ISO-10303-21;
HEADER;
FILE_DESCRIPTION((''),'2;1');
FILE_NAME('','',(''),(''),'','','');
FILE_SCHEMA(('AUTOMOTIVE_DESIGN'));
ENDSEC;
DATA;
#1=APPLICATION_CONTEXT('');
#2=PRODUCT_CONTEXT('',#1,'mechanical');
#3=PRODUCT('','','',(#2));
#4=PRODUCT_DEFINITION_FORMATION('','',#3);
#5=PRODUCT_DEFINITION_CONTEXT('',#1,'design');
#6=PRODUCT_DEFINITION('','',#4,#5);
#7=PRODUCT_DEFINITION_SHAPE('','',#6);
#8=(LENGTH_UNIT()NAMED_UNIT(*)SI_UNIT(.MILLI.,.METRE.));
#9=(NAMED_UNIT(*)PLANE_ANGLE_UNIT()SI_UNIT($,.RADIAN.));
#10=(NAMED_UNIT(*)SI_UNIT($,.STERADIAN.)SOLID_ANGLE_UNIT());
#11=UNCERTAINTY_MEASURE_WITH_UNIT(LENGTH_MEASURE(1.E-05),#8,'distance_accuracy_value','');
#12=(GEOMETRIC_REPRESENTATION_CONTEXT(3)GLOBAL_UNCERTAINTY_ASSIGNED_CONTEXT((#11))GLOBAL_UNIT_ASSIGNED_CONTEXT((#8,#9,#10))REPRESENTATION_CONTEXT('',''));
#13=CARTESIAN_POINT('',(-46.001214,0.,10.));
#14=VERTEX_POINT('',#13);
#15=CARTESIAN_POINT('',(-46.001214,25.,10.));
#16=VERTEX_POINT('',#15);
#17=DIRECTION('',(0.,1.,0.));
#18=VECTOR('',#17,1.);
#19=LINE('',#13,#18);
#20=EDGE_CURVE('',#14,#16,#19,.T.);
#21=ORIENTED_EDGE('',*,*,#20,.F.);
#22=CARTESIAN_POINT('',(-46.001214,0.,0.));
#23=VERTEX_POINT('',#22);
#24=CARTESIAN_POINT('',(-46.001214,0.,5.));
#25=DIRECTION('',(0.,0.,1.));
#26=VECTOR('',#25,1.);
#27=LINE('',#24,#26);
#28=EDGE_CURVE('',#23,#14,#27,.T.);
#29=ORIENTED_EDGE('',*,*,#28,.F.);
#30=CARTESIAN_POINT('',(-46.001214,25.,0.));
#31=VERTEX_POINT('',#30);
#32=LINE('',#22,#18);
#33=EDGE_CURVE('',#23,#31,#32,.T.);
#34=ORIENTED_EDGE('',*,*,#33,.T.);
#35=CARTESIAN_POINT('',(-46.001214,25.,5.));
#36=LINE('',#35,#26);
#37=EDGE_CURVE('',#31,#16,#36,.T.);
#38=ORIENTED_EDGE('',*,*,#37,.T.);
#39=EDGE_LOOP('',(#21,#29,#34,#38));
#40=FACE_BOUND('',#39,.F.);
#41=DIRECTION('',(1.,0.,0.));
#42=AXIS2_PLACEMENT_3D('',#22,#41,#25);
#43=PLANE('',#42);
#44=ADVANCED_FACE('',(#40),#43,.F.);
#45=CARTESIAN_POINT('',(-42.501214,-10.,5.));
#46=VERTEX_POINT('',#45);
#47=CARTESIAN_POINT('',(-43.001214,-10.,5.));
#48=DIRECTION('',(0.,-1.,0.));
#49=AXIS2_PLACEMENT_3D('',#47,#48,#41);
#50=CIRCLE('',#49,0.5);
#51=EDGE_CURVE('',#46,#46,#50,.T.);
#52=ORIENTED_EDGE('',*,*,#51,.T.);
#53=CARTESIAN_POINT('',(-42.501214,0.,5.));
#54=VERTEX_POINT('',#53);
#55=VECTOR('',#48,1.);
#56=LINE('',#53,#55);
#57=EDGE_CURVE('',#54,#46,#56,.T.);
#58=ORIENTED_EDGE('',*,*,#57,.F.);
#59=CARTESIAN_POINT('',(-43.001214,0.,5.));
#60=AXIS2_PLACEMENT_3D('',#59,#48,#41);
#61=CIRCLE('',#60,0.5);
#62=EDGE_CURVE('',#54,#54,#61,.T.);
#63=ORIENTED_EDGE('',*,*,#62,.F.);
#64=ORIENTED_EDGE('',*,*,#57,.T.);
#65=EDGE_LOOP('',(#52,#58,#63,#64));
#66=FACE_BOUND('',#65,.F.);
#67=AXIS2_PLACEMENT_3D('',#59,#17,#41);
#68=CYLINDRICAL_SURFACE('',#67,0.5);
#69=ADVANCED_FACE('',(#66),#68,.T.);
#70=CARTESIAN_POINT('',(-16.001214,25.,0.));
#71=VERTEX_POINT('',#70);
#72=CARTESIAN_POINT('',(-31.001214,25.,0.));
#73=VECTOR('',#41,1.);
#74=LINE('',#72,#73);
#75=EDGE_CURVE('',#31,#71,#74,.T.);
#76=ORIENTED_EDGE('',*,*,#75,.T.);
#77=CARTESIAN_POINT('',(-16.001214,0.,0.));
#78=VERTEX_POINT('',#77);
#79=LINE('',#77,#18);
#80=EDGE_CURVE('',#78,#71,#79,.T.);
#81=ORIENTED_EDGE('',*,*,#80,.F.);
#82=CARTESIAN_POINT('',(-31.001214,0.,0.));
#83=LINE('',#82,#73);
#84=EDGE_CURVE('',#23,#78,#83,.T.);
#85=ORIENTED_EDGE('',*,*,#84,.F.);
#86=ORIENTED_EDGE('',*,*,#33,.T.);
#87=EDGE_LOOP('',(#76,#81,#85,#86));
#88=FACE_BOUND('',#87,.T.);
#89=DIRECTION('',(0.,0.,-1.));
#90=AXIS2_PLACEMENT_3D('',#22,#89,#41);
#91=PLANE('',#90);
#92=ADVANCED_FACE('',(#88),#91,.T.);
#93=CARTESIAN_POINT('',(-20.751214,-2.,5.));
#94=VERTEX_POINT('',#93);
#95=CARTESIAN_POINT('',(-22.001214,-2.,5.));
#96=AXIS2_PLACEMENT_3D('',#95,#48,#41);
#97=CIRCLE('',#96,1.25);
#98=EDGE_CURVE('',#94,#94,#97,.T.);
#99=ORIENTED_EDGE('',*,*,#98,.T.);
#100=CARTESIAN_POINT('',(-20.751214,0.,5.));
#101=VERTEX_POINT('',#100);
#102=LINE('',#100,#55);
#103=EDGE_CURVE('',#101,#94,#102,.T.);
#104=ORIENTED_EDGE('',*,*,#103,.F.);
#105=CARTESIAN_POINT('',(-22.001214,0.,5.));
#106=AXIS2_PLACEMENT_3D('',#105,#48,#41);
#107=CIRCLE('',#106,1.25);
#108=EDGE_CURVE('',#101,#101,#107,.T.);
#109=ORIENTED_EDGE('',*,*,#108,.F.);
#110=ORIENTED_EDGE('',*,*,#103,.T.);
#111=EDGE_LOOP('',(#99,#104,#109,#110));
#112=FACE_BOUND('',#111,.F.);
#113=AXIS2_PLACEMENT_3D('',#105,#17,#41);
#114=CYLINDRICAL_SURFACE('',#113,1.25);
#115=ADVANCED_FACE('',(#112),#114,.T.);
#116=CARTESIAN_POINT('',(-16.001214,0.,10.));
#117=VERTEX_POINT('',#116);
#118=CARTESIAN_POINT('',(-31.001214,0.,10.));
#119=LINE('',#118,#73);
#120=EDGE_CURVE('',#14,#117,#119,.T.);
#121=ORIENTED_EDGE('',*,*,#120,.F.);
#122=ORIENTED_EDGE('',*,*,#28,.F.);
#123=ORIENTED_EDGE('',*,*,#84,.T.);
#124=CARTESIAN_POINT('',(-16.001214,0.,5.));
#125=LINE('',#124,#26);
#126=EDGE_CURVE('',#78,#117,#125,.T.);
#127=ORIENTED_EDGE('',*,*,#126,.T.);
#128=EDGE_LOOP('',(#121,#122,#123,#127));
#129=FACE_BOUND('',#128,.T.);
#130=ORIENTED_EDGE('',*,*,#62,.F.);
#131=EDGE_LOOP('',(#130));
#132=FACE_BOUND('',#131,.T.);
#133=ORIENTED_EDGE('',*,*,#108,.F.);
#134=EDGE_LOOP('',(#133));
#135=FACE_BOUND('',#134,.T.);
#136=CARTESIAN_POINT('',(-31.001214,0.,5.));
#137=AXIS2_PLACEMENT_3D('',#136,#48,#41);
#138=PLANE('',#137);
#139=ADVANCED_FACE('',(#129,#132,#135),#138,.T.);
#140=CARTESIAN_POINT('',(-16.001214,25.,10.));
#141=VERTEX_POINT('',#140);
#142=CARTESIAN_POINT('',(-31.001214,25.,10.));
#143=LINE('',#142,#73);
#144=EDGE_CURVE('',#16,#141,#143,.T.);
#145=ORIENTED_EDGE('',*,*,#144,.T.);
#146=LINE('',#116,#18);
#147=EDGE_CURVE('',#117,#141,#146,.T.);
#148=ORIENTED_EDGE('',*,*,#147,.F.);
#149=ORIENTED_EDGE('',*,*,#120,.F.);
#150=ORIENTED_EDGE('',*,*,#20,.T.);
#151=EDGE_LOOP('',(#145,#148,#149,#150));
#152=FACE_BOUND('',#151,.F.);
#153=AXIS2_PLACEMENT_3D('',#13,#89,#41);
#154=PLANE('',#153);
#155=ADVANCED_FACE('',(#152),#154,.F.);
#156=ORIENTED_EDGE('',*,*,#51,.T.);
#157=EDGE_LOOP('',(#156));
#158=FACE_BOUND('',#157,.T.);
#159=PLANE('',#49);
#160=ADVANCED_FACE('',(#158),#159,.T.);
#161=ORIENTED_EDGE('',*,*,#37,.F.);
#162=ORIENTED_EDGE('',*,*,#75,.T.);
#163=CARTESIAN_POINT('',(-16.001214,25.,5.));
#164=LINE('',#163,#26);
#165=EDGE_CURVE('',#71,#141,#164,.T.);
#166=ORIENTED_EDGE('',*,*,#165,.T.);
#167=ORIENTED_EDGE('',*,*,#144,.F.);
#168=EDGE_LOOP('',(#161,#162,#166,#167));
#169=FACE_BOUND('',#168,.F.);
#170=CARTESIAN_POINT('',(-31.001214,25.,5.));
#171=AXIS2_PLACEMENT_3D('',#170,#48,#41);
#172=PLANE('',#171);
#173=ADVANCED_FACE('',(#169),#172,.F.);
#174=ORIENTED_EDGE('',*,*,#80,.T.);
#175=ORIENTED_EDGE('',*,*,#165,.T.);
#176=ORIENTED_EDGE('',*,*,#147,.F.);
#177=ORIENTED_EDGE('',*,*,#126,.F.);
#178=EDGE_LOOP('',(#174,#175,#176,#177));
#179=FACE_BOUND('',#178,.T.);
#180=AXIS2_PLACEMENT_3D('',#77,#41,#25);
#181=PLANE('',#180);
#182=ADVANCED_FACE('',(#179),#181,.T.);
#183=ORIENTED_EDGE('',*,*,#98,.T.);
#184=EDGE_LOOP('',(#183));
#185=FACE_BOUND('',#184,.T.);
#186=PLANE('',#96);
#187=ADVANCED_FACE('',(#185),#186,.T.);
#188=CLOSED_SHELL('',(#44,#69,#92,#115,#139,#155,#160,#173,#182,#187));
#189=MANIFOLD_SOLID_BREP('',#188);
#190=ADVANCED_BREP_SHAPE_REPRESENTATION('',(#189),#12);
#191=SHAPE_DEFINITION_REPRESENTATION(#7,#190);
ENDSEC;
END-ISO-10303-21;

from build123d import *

# Parameters (mm, degrees)
F0_W     = 30
F0_H     = 10
F1_DEPTH = 25
F2_R     = 1.25
F3_DEPTH = 2
F4_R     = 0.5
F5_DEPTH = 10


with BuildPart() as f1:
    # F0 (on Front) → F1 (new body)
    with BuildSketch(Plane.XZ):
        with Locations((-31.001214, 5)):
            Rectangle(F0_W, F0_H)
    extrude(amount=-F1_DEPTH)

    # F2 (on face) → F3 (join)
    with BuildSketch(Plane.XZ):
        with Locations((-22.001214, 5)):
            Circle(F2_R)
    extrude(amount=F3_DEPTH)

    # F4 (on face) → F5 (join)
    with BuildSketch(Plane.XZ):
        with Locations((-43.001214, 5)):
            Circle(F4_R)
    extrude(amount=F5_DEPTH)


solid = f1.part
